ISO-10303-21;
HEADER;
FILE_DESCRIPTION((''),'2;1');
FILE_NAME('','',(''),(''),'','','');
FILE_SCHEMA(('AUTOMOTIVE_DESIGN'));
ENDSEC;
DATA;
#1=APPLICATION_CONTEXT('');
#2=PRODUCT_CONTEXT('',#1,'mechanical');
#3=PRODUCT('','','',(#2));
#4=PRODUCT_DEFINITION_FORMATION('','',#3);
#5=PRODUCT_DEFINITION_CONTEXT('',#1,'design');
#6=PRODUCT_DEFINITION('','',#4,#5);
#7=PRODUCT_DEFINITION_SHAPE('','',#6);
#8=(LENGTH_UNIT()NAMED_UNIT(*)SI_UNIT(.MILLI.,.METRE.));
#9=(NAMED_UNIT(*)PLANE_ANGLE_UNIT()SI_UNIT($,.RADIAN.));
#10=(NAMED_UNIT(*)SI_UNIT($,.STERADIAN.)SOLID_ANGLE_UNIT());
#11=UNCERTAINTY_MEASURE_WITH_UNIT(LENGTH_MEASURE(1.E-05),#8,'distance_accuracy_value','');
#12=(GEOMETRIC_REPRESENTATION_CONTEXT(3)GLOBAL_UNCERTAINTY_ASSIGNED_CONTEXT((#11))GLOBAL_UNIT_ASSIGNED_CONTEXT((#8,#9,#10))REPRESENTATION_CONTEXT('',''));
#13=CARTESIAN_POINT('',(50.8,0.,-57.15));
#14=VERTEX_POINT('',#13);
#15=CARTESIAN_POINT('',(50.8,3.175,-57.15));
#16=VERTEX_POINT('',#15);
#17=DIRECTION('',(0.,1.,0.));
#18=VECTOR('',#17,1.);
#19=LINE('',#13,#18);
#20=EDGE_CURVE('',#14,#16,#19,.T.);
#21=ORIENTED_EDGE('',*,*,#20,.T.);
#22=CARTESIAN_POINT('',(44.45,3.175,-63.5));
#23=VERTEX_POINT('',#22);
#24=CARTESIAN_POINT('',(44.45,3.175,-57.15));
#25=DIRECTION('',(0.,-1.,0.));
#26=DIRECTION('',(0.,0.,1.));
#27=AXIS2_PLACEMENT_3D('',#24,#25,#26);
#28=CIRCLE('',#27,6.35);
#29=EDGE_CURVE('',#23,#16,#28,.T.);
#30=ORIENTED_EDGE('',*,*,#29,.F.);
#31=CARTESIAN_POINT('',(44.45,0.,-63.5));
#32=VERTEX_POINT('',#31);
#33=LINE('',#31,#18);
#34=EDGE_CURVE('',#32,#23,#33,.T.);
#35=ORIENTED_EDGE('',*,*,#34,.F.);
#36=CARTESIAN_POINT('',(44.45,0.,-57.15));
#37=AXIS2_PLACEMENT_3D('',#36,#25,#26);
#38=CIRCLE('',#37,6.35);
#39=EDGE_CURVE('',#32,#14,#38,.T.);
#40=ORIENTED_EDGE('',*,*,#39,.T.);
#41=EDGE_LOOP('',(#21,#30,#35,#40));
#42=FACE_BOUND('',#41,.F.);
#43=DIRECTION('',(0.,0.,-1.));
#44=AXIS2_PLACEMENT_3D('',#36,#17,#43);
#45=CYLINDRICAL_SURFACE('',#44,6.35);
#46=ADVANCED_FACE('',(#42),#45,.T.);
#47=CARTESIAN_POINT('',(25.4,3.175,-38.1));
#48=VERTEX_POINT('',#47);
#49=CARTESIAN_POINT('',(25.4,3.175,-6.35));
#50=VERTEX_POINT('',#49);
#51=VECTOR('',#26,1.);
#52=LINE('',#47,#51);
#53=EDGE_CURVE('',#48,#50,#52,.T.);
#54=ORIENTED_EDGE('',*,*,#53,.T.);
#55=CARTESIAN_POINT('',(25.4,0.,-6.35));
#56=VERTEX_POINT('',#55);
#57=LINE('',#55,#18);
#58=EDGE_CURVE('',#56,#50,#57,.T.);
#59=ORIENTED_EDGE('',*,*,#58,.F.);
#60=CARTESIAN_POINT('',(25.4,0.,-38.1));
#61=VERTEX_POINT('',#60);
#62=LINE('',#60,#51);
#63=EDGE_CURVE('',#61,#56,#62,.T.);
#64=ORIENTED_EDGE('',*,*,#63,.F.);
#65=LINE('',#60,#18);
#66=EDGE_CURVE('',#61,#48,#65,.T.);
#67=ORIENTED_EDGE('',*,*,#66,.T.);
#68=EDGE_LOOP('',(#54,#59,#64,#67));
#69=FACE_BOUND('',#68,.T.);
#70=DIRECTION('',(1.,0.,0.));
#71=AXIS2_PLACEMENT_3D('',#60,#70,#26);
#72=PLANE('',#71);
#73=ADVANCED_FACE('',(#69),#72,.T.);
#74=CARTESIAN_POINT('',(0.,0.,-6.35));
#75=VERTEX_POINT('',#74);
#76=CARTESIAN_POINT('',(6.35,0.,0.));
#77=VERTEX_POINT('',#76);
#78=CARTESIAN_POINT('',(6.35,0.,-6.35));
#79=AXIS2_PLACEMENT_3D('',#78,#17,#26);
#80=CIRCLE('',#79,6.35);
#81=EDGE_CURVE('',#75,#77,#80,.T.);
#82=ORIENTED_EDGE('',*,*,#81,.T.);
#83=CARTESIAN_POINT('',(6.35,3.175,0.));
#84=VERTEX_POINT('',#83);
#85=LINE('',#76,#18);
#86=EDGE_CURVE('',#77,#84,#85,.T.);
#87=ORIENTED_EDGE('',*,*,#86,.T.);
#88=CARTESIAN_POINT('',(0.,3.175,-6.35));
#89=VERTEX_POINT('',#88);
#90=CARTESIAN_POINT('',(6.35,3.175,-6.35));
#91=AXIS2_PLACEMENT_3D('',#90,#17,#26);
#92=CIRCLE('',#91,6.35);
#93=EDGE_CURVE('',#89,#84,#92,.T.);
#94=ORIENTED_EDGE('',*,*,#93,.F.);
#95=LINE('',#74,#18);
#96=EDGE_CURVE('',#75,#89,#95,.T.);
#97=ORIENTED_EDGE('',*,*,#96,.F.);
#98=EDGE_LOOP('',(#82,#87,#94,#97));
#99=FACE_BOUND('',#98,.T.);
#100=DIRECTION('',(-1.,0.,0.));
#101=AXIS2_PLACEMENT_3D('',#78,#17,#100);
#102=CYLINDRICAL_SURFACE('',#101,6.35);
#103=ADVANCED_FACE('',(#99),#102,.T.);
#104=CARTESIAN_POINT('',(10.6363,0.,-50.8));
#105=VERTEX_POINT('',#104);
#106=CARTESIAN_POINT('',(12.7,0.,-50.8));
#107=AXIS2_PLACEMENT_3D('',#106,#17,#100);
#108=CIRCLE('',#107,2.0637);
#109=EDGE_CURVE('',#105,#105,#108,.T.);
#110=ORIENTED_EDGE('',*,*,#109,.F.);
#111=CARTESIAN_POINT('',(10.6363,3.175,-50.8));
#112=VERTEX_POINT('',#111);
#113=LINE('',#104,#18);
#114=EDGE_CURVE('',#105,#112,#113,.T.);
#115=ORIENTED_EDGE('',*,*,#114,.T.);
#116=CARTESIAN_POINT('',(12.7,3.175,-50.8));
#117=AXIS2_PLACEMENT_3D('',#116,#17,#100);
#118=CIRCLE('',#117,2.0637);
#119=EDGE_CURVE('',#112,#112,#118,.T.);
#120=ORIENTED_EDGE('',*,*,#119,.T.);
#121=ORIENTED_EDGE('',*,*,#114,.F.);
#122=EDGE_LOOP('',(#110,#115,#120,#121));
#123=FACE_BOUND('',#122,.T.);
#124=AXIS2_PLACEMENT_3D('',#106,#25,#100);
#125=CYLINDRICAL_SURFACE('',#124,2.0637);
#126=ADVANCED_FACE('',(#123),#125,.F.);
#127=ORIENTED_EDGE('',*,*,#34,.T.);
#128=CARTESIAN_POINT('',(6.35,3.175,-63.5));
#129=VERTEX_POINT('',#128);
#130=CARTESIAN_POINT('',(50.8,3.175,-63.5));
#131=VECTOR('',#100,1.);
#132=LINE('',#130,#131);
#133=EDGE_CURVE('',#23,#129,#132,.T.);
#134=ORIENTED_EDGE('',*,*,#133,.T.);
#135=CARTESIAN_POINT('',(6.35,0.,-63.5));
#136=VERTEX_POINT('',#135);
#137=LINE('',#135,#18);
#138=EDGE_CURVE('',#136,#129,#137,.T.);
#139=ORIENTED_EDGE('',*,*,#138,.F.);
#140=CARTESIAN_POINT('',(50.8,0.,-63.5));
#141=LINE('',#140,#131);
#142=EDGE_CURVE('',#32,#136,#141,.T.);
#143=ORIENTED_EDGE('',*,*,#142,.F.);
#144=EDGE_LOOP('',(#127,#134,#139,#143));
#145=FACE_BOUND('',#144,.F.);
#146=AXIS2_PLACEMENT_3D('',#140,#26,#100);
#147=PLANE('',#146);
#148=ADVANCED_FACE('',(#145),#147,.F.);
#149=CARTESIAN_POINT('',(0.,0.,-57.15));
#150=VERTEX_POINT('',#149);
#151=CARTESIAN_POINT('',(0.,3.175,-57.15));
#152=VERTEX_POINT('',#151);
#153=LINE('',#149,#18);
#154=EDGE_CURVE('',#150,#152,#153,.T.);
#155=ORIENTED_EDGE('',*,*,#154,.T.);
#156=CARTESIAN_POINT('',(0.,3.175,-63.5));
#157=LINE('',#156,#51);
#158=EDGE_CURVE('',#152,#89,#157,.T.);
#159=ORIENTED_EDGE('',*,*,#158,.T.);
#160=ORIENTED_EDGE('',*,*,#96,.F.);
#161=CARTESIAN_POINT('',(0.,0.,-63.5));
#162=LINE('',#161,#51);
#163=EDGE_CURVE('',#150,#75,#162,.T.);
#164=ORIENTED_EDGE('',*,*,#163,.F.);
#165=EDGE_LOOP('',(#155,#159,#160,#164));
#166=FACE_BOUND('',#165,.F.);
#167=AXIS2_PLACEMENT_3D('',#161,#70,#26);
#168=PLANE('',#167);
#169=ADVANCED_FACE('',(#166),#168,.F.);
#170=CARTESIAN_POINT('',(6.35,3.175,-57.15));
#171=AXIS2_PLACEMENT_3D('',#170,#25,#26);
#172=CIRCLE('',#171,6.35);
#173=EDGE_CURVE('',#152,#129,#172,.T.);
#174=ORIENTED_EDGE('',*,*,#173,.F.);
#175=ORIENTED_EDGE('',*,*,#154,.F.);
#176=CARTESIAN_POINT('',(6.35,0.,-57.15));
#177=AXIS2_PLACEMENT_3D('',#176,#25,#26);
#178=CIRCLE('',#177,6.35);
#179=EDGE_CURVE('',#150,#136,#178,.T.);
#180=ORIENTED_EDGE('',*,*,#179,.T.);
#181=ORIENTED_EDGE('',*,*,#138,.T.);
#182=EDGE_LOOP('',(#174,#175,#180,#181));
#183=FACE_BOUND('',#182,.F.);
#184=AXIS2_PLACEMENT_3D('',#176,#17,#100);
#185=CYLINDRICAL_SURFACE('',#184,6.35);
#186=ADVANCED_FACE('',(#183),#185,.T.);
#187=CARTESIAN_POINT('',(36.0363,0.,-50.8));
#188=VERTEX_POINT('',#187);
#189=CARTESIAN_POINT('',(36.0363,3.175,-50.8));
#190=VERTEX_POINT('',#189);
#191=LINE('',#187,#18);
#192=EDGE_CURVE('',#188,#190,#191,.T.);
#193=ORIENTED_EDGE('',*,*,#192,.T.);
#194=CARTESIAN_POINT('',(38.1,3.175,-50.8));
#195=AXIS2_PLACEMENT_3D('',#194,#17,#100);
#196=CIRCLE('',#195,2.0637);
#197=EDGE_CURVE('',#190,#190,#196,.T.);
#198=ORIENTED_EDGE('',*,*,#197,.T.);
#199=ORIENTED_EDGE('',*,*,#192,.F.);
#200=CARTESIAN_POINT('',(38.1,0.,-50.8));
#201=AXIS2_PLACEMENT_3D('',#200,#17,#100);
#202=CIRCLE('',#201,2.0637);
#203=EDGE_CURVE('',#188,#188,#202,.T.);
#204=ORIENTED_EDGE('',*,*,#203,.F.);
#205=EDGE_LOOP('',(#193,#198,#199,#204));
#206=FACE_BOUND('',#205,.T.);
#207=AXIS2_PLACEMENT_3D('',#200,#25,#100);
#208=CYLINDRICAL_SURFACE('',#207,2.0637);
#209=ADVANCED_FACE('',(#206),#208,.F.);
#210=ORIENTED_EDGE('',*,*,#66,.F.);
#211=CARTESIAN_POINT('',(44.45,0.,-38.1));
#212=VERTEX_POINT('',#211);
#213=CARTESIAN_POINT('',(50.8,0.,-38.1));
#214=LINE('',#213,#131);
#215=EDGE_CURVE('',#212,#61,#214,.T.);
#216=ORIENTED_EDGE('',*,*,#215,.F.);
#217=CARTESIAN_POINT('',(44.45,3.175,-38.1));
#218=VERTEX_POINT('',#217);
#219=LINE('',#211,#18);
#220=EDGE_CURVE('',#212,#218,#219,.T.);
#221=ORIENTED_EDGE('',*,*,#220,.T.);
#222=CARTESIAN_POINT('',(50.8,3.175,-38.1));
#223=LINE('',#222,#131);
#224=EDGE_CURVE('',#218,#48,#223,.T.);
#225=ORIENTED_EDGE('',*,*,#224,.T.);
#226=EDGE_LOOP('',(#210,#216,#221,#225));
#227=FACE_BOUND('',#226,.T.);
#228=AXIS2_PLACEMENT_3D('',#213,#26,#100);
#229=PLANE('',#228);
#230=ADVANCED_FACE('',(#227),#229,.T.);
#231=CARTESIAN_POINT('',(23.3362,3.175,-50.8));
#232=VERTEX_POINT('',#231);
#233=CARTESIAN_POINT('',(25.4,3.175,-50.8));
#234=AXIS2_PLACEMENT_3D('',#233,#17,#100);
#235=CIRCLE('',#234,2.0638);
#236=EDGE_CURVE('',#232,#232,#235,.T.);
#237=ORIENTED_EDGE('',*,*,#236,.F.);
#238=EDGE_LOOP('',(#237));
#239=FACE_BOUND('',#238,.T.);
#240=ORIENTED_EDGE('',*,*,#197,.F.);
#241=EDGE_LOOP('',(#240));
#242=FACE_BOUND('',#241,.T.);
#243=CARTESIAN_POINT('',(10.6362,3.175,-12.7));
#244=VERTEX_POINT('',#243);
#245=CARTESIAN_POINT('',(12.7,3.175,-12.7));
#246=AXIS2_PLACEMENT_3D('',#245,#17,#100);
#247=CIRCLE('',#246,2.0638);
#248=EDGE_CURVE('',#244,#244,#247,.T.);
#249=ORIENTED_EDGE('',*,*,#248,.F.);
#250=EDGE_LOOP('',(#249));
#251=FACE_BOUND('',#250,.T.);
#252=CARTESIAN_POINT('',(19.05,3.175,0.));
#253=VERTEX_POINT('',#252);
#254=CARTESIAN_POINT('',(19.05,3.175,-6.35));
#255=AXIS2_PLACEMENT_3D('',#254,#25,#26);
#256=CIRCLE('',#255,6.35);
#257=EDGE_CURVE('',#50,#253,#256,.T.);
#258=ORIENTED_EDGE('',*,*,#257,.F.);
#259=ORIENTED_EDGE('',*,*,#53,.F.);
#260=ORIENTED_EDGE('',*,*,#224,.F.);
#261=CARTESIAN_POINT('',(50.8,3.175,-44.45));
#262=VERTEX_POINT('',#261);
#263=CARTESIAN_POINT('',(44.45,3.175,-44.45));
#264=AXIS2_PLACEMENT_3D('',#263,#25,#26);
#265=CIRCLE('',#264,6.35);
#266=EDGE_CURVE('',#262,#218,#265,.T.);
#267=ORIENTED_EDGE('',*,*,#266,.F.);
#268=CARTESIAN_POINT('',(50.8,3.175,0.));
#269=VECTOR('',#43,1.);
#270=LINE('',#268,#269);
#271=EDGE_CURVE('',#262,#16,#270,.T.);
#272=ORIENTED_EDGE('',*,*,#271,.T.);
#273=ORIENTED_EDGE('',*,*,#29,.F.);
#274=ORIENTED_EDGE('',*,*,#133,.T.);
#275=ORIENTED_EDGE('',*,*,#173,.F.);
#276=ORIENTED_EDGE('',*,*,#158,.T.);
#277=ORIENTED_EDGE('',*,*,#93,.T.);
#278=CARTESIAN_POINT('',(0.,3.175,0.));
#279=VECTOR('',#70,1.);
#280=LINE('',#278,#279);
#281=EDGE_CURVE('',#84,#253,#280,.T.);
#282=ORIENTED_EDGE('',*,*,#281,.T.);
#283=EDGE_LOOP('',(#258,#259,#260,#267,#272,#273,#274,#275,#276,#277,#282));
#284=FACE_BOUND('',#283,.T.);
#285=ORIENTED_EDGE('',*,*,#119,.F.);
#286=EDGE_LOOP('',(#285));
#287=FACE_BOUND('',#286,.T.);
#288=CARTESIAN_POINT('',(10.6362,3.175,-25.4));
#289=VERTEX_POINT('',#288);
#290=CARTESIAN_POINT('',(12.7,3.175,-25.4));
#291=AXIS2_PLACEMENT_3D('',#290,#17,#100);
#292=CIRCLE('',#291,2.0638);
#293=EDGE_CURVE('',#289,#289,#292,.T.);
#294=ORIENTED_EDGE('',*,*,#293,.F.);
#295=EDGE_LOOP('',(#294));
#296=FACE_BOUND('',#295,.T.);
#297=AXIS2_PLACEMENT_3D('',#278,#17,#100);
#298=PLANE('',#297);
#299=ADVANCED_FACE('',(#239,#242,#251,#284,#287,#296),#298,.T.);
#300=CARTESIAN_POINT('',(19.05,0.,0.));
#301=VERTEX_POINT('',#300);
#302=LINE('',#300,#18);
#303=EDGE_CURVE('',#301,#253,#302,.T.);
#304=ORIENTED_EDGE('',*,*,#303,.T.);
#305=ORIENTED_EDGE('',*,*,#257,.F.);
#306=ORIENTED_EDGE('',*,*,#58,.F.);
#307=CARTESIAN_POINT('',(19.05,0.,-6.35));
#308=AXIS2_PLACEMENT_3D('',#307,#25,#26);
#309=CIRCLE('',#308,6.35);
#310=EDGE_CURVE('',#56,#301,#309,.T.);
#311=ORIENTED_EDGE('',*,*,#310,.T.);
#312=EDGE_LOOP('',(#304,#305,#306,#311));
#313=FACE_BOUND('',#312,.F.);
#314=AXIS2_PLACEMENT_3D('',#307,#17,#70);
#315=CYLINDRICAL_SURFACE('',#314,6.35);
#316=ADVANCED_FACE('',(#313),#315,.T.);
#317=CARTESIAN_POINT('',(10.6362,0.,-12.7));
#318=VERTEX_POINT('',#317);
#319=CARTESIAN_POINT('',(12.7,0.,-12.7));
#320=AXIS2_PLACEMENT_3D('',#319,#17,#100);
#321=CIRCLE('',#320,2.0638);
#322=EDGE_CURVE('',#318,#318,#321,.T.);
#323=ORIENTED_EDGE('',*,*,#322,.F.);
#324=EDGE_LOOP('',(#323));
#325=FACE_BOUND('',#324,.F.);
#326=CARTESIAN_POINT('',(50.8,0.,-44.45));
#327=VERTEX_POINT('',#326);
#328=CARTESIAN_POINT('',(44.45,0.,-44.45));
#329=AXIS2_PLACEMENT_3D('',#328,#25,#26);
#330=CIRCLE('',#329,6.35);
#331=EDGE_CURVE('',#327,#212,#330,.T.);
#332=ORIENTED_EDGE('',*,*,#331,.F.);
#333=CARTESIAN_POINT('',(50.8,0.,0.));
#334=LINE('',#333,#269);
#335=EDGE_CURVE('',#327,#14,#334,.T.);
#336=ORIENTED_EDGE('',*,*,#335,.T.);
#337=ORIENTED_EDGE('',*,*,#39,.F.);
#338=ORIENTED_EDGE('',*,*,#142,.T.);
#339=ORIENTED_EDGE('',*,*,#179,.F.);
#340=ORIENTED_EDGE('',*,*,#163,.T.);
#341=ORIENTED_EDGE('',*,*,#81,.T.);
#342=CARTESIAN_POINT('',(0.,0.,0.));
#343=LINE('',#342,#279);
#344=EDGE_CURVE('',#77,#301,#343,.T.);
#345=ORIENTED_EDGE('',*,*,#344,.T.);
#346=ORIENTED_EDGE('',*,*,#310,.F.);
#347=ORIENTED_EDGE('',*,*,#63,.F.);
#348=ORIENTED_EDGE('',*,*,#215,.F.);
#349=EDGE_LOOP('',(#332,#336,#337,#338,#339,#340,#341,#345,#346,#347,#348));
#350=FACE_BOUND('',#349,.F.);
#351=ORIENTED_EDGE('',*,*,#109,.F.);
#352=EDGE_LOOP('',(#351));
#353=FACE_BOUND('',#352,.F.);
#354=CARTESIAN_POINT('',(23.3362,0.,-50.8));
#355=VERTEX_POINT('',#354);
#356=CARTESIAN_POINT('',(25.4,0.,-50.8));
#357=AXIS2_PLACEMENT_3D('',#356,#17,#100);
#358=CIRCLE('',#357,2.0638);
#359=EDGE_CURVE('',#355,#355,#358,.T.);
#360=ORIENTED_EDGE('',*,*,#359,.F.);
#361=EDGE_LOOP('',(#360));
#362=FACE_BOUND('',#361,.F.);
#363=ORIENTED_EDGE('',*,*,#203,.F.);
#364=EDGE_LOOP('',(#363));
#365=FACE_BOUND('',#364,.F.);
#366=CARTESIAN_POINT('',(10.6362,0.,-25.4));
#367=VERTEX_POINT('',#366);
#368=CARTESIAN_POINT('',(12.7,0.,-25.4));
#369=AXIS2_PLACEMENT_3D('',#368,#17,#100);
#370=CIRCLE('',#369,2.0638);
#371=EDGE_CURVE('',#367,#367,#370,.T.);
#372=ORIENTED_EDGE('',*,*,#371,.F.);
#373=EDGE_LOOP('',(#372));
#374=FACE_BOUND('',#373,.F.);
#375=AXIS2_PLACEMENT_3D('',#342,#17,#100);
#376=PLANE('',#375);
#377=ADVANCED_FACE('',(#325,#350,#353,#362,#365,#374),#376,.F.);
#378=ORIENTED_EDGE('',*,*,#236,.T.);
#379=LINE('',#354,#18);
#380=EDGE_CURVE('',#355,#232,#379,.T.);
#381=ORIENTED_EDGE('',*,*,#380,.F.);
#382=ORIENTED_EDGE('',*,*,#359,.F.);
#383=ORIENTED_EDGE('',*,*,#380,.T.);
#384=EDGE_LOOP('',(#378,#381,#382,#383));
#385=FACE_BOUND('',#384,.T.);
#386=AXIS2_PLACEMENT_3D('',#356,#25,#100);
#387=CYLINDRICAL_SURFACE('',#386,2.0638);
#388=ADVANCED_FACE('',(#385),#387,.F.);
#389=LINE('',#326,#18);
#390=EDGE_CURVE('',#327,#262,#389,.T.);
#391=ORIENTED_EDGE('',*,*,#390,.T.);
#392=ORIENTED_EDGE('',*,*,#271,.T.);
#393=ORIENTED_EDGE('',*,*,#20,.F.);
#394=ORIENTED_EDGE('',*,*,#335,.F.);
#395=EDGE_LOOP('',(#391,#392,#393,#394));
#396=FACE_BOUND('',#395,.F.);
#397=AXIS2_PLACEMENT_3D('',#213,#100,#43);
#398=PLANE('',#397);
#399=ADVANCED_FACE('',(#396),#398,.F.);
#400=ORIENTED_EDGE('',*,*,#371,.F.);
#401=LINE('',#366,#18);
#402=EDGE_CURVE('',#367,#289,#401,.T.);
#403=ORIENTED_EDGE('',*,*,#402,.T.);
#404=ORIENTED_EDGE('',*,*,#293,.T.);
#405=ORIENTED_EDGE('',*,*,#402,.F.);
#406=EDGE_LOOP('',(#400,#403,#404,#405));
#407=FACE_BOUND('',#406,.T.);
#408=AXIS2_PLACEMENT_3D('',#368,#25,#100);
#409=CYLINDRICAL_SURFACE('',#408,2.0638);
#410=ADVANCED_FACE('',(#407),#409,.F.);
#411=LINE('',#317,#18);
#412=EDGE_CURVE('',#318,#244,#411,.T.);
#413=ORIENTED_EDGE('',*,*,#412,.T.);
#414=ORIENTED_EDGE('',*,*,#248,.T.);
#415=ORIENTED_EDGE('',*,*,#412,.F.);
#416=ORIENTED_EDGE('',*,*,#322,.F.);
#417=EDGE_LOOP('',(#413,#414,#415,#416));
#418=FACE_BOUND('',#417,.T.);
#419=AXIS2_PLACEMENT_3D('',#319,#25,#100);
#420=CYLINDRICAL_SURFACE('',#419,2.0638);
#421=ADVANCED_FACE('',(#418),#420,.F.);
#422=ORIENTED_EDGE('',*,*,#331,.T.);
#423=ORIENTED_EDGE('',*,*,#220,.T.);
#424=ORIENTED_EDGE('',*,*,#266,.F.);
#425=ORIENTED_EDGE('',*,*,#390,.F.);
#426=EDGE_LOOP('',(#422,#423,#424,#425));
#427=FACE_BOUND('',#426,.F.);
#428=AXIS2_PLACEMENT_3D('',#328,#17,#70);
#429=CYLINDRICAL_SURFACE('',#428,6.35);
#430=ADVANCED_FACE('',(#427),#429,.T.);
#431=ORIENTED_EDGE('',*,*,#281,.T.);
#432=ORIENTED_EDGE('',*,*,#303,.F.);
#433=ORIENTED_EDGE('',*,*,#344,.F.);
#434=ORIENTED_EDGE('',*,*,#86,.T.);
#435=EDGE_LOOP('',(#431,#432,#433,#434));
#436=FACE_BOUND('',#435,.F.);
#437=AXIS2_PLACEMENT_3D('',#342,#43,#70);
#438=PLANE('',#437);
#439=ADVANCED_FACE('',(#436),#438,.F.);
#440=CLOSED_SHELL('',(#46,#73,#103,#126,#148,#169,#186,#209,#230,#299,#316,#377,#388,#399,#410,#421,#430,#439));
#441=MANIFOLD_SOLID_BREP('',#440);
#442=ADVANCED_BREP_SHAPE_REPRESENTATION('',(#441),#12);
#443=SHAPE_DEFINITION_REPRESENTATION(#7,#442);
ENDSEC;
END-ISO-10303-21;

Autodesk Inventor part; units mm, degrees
ref_plane "YZ Plane" through (0, 0, 0) normal (1, 0, 0) x (0, 1, 0)
ref_plane "XZ Plane" through (0, 0, 0) normal (0, 1, 0) x (-1, 0, 0)
ref_plane "XY Plane" through (0, 0, 0) normal (0, 0, 1) x (1, 0, 0)
sketch "Sketch1" plane through (0, 0, 0) normal (0, 1, 0) x (-1, 0, 0)
  line L0 (0, 0) -> (-50.8, 0)
  line L1 (-50.8, 0) -> (-50.8, -63.5)
  line L2 (-50.8, -63.5) -> (0, -63.5)
  line L3 (0, -63.5) -> (0, 0)
  line L4 (-50.8, -63.5) -> (-50.8, -38.1)
  line L5 (-50.8, -38.1) -> (-25.4, -38.1)
  line L6 (-25.4, -38.1) -> (-25.4, 0)
  circle A0 centre (-25.4, -50.8) radius 2.0638
  line L7 (-50.8, -50.8) -> (0, -50.8) construction
  circle A1 centre (-38.1, -50.8) radius 2.0637
  circle A2 centre (-12.7, -50.8) radius 2.0637
  line L8 (-12.7, -63.5) -> (-12.7, 0) construction
  circle A3 centre (-12.7, -25.4) radius 2.0638
  circle A4 centre (-12.7, -12.7) radius 2.0638
  dimension "d22" = 50.8
  dimension "d23" = 63.5
  dimension "d24" = 25.4
  dimension "d25" = 25.4
  dimension "d26" = 4.1275
  dimension "d27" = 4.1275
  dimension "d28" = 12.7
  dimension "d29" = 4.1275
  dimension "d30" = 12.7
  dimension "d31" = 4.1275
  dimension "d32" = 25.4
  dimension "d33" = 4.1275
  dimension "d34" = 12.7
extrude "Extrusion1" add sketch "Sketch1" along normal blind 3.175 contours L3 L2 L1 L5 L6 L0
fillet "Fillet1" radius 6.35 5 edges at (50.8, 1.5875, -38.1) (25.4, 1.5875, 0) (0, 1.5875, 0) (0, 1.5875, -63.5) (50.8, 1.5875, -63.5)
properties part number "fram_support_gusset"
